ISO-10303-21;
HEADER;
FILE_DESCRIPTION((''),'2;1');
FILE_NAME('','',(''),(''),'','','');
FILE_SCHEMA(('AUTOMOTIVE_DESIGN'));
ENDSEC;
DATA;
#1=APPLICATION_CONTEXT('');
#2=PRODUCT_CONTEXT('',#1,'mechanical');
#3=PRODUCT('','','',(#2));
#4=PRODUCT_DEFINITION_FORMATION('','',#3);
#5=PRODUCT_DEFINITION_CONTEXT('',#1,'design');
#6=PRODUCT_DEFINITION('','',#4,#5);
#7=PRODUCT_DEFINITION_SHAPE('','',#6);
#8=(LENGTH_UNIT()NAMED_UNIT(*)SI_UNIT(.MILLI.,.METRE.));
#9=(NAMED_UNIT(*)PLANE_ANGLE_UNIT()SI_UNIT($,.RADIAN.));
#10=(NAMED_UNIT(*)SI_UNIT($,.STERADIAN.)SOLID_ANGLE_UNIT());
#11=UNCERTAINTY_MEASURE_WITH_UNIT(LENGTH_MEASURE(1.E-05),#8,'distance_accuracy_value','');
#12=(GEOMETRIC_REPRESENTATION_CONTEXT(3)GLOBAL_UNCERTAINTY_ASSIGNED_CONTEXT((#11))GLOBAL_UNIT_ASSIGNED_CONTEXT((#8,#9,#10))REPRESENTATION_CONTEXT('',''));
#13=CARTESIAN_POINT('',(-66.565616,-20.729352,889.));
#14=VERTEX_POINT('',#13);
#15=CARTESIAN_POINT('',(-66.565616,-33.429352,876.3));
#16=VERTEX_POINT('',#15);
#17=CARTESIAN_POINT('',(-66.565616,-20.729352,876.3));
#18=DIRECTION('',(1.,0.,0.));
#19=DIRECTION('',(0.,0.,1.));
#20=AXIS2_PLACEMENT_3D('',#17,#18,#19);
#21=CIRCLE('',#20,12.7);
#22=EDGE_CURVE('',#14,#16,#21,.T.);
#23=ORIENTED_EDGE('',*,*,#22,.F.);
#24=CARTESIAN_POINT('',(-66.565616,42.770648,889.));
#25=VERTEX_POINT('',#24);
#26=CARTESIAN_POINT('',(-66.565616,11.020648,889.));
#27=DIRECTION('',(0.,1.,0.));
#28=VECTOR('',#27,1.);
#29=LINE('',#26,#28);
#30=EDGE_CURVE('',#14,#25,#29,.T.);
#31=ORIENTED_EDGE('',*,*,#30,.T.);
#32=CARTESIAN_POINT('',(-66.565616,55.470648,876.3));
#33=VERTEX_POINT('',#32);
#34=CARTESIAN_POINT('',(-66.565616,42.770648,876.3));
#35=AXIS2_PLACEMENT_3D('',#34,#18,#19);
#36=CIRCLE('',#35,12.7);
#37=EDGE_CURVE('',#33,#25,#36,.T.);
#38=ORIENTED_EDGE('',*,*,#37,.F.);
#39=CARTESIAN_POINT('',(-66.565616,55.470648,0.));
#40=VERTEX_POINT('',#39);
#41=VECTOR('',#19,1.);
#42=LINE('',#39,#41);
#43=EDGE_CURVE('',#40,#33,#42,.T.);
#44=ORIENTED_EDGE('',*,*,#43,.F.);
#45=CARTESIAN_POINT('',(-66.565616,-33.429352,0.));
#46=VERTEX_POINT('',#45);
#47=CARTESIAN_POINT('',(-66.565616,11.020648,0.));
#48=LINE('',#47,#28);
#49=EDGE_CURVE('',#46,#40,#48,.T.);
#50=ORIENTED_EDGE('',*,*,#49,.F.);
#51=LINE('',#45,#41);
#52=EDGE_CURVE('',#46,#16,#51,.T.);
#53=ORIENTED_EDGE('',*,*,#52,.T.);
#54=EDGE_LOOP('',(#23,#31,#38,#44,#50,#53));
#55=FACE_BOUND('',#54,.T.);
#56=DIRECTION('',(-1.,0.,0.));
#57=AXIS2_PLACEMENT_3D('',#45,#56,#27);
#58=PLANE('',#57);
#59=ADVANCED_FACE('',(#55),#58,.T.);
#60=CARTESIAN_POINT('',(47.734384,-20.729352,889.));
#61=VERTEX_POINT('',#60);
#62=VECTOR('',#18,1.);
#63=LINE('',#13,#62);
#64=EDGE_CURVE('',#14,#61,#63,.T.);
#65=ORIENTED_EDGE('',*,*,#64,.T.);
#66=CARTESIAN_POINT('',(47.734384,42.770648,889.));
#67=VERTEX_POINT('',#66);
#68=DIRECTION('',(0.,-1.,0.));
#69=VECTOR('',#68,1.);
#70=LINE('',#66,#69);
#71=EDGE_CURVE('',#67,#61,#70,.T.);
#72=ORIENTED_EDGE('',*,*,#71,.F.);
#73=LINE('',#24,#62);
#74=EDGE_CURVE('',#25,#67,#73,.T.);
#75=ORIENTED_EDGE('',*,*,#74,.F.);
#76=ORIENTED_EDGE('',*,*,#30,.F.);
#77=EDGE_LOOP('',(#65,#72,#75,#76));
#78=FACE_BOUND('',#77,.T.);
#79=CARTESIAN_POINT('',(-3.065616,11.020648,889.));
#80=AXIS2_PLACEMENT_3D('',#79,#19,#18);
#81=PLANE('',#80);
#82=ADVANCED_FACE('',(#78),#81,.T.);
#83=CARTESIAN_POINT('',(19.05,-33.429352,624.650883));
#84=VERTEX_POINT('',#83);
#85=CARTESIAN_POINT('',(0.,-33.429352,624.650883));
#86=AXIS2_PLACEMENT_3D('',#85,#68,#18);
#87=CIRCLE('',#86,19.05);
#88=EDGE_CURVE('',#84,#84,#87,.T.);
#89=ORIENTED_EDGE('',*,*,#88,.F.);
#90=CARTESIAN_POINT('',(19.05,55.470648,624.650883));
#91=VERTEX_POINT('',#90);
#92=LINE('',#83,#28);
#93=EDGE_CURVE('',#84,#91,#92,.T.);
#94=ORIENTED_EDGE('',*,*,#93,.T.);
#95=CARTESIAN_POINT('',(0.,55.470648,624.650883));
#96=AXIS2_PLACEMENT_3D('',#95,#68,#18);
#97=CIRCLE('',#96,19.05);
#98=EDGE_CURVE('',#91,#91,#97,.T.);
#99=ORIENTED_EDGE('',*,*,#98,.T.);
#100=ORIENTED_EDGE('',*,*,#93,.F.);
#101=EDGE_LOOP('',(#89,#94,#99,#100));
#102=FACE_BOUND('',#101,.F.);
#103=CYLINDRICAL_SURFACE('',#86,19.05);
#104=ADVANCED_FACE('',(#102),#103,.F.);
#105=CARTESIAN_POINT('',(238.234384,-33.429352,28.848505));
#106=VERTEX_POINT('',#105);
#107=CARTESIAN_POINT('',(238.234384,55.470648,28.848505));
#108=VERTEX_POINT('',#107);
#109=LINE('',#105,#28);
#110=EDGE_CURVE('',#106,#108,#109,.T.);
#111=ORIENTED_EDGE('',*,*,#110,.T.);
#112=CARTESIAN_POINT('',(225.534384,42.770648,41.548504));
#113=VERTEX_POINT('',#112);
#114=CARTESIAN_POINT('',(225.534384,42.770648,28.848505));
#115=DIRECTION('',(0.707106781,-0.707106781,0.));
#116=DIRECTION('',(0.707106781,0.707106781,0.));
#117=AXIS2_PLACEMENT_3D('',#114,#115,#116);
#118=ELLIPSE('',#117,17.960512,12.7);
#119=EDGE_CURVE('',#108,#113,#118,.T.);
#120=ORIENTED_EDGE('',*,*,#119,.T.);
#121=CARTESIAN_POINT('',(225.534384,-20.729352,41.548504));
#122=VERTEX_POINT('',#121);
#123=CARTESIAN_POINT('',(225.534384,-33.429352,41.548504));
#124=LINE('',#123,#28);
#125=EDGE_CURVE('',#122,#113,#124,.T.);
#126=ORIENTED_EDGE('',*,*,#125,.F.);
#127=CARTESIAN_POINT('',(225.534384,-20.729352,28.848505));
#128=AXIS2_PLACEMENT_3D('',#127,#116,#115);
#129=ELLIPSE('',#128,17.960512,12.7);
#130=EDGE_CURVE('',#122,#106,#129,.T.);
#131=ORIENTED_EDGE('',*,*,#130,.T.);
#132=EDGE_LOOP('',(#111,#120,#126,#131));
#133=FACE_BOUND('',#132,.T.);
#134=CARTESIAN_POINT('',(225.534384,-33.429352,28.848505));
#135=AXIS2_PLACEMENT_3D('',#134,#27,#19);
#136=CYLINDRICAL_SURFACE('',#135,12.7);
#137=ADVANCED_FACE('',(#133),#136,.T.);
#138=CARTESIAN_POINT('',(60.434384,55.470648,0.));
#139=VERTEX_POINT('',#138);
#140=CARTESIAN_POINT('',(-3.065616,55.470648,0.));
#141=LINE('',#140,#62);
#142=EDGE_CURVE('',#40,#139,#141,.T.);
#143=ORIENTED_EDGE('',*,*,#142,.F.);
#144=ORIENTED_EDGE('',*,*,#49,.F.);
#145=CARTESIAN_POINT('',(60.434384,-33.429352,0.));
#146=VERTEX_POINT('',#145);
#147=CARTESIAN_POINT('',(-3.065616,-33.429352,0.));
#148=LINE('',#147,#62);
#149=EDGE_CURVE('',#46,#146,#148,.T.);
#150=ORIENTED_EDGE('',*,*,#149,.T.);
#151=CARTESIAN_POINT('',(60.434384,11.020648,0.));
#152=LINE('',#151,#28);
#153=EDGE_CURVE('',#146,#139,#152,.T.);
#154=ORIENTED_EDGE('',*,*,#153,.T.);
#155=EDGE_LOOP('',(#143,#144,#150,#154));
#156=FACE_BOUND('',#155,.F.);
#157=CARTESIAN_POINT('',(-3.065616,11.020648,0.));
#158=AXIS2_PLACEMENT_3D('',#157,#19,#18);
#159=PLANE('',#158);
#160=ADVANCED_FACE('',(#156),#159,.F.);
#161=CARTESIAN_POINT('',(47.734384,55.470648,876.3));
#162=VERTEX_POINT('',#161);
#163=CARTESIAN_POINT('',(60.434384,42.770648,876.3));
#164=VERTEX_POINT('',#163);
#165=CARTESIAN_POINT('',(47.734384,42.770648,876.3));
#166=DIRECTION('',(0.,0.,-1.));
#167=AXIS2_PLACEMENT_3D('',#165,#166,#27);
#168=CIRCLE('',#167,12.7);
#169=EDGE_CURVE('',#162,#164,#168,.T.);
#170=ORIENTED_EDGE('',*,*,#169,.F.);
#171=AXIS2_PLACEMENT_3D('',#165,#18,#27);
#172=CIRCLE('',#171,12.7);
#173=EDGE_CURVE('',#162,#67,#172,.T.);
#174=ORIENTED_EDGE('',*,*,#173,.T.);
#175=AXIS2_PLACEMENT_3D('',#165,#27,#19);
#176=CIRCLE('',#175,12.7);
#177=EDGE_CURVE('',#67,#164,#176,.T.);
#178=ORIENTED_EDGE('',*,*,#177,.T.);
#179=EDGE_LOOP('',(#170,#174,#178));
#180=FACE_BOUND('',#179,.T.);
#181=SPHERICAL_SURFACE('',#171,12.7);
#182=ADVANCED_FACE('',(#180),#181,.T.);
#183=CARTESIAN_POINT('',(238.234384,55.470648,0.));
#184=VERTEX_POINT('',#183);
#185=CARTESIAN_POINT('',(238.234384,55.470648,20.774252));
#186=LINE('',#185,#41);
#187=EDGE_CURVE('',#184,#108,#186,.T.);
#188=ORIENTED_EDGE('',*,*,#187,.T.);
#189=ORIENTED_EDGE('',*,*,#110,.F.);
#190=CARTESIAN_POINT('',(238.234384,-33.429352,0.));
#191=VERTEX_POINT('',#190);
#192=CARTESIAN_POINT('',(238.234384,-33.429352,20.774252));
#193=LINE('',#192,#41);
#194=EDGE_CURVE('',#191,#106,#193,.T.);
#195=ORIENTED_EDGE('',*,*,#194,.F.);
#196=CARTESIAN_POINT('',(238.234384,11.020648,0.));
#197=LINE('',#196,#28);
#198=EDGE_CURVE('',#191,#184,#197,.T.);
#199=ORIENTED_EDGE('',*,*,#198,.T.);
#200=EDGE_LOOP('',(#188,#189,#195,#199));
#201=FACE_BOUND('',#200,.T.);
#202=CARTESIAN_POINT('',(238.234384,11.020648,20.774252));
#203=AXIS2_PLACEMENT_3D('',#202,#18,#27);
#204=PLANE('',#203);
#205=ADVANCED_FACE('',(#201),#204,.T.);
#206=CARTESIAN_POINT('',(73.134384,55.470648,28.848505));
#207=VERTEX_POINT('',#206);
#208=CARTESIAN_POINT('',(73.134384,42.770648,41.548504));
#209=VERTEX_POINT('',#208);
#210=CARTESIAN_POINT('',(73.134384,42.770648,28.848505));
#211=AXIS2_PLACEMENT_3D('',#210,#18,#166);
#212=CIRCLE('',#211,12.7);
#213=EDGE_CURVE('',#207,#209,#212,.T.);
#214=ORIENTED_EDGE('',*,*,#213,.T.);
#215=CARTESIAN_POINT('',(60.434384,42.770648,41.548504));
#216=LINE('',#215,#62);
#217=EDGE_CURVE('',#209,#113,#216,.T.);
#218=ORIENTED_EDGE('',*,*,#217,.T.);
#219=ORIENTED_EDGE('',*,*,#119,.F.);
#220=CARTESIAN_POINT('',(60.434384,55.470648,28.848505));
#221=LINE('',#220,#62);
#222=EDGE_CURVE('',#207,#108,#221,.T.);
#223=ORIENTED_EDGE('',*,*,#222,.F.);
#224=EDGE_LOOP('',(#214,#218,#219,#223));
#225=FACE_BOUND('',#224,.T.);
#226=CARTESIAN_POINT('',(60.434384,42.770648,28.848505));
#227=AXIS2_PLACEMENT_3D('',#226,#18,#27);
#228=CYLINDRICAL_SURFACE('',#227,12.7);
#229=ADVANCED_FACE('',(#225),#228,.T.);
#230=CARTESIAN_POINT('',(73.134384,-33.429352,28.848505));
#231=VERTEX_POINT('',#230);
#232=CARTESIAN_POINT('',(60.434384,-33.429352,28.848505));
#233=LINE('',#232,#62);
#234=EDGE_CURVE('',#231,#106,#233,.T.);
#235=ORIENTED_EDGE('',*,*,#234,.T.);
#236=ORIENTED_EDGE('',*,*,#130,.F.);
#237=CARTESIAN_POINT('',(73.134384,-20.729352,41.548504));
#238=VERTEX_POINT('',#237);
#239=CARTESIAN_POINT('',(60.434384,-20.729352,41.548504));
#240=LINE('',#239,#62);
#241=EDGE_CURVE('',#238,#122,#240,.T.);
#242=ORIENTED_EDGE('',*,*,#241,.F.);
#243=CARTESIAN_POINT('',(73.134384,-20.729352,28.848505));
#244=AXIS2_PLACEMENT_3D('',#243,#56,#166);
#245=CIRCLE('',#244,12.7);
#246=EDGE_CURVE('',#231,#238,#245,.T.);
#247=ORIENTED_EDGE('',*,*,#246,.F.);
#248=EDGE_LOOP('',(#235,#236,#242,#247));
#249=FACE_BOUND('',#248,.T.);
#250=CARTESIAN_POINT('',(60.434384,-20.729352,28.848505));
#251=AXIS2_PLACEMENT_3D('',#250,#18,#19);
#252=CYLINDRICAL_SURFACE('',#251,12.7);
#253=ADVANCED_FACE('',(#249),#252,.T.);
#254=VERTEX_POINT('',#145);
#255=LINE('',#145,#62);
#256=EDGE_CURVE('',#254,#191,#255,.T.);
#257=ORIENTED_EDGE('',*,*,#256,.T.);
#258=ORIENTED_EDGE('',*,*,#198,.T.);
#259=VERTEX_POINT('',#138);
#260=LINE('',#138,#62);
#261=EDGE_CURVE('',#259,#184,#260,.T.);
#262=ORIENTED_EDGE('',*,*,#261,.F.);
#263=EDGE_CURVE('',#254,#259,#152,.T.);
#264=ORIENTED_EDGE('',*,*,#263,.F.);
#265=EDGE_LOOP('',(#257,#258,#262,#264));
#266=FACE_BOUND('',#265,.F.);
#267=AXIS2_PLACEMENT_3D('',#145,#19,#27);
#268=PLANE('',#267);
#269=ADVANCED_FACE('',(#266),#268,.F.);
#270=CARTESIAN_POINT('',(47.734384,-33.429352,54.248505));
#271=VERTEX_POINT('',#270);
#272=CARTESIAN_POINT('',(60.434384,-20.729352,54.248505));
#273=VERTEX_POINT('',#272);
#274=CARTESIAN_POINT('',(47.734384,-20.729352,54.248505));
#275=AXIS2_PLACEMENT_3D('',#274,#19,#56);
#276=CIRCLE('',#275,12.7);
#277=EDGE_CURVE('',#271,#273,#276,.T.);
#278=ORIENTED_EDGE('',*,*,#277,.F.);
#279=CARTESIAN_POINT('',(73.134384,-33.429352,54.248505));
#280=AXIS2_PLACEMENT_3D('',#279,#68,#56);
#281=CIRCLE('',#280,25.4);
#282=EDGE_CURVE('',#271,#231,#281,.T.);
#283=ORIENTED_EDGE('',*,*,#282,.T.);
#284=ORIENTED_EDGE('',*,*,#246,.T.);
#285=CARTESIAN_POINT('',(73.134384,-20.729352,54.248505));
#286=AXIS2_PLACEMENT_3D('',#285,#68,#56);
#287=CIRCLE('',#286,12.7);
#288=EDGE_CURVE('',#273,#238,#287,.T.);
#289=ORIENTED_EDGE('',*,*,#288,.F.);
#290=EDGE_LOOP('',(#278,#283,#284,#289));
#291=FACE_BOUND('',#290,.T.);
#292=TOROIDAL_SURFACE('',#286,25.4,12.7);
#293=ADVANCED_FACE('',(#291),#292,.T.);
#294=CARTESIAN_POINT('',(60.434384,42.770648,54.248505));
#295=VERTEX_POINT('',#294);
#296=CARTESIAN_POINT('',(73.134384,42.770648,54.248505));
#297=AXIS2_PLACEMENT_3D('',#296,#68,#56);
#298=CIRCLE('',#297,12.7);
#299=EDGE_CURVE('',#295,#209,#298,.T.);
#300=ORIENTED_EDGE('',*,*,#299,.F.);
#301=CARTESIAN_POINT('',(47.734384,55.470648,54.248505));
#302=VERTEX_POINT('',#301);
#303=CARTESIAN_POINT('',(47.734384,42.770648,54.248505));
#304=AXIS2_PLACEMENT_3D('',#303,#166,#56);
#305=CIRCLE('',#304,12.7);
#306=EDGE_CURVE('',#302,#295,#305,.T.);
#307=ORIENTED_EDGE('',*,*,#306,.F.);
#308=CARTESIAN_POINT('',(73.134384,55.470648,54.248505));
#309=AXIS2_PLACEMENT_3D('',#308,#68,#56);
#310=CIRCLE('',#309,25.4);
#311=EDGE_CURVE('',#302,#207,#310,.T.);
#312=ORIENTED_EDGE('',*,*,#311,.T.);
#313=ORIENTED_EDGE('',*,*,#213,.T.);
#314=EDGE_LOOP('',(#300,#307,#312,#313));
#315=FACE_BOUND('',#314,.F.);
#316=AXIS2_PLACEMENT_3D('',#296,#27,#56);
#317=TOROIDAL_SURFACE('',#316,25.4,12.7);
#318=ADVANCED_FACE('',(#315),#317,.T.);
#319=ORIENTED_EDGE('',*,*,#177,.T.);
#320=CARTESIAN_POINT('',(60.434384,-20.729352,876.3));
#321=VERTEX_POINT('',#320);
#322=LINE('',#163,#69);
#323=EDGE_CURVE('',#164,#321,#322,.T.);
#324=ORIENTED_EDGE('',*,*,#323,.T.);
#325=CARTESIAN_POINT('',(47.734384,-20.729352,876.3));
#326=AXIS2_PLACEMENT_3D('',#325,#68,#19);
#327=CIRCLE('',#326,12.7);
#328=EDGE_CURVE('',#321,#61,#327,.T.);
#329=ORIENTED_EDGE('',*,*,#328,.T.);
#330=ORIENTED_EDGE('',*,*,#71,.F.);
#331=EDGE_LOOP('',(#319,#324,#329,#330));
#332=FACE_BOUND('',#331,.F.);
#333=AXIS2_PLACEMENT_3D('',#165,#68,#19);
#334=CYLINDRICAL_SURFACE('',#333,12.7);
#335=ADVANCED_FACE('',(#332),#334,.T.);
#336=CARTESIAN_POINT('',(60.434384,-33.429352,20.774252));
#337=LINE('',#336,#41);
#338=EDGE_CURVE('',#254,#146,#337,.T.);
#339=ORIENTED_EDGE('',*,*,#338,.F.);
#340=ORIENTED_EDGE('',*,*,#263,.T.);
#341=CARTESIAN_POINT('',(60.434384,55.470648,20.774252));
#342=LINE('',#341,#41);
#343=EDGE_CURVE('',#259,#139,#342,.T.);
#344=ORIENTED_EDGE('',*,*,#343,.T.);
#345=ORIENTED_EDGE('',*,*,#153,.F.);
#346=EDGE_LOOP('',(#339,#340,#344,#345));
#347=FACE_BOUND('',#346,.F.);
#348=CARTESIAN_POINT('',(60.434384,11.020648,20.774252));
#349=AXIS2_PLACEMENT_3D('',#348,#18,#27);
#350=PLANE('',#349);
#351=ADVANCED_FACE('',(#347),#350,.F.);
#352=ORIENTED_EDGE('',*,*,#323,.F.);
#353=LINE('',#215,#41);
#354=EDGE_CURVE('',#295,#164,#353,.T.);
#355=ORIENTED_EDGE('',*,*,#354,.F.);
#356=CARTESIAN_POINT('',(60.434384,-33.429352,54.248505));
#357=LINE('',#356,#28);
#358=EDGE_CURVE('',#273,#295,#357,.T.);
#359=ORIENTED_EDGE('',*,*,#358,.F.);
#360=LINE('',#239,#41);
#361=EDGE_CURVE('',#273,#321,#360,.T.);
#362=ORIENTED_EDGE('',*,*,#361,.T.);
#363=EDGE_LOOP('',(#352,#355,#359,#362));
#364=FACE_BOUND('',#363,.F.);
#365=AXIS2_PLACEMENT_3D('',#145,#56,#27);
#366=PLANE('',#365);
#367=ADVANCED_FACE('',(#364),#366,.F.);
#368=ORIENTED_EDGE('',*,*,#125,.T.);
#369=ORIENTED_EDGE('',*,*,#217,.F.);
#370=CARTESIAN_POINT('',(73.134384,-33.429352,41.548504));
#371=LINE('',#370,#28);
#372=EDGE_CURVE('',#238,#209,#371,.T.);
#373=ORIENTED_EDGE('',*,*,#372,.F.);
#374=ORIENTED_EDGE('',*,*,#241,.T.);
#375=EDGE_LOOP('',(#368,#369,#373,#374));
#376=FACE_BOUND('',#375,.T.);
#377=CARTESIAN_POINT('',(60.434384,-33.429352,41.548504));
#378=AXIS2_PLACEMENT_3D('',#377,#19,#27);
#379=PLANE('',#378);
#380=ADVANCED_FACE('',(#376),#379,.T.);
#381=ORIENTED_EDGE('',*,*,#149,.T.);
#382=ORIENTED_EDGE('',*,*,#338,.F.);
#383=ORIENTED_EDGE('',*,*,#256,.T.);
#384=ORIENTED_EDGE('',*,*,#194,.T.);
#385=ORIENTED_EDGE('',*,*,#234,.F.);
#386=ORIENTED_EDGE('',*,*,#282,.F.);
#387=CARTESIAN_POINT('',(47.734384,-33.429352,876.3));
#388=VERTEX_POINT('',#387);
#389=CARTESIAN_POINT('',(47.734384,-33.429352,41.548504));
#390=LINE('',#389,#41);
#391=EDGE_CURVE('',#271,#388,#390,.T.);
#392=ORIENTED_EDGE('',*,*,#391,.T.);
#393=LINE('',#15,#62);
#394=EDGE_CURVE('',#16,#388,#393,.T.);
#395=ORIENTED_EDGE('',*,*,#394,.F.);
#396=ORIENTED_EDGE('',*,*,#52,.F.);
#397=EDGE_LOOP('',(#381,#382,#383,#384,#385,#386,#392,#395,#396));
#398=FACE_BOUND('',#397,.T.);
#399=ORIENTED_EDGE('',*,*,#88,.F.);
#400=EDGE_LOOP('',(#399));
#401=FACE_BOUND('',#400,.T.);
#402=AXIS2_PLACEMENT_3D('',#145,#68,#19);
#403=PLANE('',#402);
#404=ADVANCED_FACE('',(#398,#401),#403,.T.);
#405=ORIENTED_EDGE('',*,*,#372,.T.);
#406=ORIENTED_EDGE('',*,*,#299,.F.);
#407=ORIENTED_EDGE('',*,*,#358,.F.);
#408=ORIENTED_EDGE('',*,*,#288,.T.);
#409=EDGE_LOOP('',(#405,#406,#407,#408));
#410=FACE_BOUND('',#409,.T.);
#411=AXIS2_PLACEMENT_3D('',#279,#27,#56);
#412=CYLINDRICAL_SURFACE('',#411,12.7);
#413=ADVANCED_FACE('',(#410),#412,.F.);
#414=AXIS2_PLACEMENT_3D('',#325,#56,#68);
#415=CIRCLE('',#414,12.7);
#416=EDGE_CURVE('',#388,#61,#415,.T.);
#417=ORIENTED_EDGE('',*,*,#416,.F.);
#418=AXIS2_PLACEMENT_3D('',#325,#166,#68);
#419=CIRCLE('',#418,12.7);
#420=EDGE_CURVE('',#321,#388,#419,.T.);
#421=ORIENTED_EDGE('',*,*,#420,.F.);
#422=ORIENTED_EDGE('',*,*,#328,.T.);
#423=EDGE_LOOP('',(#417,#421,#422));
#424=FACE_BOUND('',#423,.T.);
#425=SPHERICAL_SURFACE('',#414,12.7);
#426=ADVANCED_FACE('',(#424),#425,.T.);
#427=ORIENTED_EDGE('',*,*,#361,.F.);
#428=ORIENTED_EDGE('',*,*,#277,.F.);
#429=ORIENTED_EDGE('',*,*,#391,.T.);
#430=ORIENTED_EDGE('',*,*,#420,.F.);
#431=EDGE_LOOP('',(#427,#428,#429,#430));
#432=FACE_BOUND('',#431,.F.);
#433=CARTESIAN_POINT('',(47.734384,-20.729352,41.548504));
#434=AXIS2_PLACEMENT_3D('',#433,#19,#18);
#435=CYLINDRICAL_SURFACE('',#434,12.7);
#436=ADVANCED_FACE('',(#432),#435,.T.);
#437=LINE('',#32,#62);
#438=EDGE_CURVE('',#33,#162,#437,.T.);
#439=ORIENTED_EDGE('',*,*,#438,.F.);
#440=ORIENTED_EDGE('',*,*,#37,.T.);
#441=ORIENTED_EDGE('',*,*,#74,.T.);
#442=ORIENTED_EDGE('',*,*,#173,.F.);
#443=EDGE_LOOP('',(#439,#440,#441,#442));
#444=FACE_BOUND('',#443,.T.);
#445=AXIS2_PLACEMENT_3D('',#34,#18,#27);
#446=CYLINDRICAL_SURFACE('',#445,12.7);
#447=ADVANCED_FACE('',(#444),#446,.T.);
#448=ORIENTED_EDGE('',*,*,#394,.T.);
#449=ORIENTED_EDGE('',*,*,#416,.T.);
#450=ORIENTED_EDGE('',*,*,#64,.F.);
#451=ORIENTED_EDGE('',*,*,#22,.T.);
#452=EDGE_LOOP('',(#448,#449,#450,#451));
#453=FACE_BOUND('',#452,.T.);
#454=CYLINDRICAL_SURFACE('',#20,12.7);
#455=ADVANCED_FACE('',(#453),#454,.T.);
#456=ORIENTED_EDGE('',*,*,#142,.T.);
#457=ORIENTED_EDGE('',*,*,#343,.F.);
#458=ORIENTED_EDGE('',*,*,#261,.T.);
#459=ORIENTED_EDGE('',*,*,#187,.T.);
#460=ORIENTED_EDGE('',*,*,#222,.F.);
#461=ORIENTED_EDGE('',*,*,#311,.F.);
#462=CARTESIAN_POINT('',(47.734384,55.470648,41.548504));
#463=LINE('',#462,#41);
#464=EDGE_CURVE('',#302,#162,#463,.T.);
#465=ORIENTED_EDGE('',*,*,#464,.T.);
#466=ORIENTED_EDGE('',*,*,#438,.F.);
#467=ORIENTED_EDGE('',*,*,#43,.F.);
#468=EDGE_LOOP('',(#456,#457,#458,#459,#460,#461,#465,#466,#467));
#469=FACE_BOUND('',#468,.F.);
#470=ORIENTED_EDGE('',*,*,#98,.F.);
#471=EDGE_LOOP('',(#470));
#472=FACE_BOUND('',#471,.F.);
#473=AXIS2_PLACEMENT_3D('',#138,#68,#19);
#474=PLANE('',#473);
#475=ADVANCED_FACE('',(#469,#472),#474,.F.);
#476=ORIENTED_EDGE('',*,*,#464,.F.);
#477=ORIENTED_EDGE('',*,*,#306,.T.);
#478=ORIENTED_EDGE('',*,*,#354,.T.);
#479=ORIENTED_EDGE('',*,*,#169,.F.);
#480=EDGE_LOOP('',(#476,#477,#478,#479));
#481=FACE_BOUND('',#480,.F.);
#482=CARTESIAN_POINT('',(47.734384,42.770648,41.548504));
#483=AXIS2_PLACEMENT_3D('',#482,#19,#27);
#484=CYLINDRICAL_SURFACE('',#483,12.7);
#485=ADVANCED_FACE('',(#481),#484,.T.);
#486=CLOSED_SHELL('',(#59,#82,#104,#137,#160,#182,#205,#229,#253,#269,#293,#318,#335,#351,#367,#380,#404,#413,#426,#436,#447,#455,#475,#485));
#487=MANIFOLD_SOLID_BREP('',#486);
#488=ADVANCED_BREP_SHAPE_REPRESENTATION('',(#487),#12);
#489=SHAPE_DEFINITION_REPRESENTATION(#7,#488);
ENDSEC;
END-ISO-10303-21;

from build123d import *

# Parameters (mm, degrees)
F0_W     = 127
F0_H     = 88.9
F1_DEPTH = 889
F2_W     = 88.9
F2_H     = 41.548505
F3_DEPTH = 177.8
F4_R     = 12.7
F5_R     = 19.05
F6_DEPTH = 127
F7_R     = 12.7


with BuildPart() as f1:
    # F0 (on Top) → F1 (new body)
    with BuildSketch(Plane.XY):
        with Locations((-3.065616, 11.020648)):
            Rectangle(F0_W, F0_H)
    extrude(amount=F1_DEPTH)

    # F2 (on face) → F3 (join)
    with BuildSketch(Plane.YZ.offset(60.434384)):
        with Locations((11.020648, 20.774252)):
            Rectangle(F2_W, F2_H)
    extrude(amount=F3_DEPTH)

    # F4
    f4_edges = [f1.edges().sort_by_distance(p)[0] for p in [
        (-3.065616, 55.470648, 889),
    ]]
    fillet(f4_edges, radius=F4_R)

    # F5 (on face) → F6 (cut)
    with BuildSketch(Plane.XZ.offset(33.429352)):
        with Locations((0, 624.650883)):
            Circle(F5_R)
    extrude(amount=-F6_DEPTH, mode=Mode.SUBTRACT)

    # F7
    f7_edges = [f1.edges().sort_by_distance(p)[0] for p in [
        (-3.065616, -33.429352, 889),
        (60.434384, -33.429352, 465.274253),
        (60.434384, 55.470648, 458.924253),
        (149.334384, 55.470648, 41.548505),
        (149.334384, -33.429352, 41.548505),
        (60.434384, 11.020648, 41.548505),
        (238.234384, 11.020648, 41.548505),
    ]]
    fillet(f7_edges, radius=F7_R)


solid = f1.part
